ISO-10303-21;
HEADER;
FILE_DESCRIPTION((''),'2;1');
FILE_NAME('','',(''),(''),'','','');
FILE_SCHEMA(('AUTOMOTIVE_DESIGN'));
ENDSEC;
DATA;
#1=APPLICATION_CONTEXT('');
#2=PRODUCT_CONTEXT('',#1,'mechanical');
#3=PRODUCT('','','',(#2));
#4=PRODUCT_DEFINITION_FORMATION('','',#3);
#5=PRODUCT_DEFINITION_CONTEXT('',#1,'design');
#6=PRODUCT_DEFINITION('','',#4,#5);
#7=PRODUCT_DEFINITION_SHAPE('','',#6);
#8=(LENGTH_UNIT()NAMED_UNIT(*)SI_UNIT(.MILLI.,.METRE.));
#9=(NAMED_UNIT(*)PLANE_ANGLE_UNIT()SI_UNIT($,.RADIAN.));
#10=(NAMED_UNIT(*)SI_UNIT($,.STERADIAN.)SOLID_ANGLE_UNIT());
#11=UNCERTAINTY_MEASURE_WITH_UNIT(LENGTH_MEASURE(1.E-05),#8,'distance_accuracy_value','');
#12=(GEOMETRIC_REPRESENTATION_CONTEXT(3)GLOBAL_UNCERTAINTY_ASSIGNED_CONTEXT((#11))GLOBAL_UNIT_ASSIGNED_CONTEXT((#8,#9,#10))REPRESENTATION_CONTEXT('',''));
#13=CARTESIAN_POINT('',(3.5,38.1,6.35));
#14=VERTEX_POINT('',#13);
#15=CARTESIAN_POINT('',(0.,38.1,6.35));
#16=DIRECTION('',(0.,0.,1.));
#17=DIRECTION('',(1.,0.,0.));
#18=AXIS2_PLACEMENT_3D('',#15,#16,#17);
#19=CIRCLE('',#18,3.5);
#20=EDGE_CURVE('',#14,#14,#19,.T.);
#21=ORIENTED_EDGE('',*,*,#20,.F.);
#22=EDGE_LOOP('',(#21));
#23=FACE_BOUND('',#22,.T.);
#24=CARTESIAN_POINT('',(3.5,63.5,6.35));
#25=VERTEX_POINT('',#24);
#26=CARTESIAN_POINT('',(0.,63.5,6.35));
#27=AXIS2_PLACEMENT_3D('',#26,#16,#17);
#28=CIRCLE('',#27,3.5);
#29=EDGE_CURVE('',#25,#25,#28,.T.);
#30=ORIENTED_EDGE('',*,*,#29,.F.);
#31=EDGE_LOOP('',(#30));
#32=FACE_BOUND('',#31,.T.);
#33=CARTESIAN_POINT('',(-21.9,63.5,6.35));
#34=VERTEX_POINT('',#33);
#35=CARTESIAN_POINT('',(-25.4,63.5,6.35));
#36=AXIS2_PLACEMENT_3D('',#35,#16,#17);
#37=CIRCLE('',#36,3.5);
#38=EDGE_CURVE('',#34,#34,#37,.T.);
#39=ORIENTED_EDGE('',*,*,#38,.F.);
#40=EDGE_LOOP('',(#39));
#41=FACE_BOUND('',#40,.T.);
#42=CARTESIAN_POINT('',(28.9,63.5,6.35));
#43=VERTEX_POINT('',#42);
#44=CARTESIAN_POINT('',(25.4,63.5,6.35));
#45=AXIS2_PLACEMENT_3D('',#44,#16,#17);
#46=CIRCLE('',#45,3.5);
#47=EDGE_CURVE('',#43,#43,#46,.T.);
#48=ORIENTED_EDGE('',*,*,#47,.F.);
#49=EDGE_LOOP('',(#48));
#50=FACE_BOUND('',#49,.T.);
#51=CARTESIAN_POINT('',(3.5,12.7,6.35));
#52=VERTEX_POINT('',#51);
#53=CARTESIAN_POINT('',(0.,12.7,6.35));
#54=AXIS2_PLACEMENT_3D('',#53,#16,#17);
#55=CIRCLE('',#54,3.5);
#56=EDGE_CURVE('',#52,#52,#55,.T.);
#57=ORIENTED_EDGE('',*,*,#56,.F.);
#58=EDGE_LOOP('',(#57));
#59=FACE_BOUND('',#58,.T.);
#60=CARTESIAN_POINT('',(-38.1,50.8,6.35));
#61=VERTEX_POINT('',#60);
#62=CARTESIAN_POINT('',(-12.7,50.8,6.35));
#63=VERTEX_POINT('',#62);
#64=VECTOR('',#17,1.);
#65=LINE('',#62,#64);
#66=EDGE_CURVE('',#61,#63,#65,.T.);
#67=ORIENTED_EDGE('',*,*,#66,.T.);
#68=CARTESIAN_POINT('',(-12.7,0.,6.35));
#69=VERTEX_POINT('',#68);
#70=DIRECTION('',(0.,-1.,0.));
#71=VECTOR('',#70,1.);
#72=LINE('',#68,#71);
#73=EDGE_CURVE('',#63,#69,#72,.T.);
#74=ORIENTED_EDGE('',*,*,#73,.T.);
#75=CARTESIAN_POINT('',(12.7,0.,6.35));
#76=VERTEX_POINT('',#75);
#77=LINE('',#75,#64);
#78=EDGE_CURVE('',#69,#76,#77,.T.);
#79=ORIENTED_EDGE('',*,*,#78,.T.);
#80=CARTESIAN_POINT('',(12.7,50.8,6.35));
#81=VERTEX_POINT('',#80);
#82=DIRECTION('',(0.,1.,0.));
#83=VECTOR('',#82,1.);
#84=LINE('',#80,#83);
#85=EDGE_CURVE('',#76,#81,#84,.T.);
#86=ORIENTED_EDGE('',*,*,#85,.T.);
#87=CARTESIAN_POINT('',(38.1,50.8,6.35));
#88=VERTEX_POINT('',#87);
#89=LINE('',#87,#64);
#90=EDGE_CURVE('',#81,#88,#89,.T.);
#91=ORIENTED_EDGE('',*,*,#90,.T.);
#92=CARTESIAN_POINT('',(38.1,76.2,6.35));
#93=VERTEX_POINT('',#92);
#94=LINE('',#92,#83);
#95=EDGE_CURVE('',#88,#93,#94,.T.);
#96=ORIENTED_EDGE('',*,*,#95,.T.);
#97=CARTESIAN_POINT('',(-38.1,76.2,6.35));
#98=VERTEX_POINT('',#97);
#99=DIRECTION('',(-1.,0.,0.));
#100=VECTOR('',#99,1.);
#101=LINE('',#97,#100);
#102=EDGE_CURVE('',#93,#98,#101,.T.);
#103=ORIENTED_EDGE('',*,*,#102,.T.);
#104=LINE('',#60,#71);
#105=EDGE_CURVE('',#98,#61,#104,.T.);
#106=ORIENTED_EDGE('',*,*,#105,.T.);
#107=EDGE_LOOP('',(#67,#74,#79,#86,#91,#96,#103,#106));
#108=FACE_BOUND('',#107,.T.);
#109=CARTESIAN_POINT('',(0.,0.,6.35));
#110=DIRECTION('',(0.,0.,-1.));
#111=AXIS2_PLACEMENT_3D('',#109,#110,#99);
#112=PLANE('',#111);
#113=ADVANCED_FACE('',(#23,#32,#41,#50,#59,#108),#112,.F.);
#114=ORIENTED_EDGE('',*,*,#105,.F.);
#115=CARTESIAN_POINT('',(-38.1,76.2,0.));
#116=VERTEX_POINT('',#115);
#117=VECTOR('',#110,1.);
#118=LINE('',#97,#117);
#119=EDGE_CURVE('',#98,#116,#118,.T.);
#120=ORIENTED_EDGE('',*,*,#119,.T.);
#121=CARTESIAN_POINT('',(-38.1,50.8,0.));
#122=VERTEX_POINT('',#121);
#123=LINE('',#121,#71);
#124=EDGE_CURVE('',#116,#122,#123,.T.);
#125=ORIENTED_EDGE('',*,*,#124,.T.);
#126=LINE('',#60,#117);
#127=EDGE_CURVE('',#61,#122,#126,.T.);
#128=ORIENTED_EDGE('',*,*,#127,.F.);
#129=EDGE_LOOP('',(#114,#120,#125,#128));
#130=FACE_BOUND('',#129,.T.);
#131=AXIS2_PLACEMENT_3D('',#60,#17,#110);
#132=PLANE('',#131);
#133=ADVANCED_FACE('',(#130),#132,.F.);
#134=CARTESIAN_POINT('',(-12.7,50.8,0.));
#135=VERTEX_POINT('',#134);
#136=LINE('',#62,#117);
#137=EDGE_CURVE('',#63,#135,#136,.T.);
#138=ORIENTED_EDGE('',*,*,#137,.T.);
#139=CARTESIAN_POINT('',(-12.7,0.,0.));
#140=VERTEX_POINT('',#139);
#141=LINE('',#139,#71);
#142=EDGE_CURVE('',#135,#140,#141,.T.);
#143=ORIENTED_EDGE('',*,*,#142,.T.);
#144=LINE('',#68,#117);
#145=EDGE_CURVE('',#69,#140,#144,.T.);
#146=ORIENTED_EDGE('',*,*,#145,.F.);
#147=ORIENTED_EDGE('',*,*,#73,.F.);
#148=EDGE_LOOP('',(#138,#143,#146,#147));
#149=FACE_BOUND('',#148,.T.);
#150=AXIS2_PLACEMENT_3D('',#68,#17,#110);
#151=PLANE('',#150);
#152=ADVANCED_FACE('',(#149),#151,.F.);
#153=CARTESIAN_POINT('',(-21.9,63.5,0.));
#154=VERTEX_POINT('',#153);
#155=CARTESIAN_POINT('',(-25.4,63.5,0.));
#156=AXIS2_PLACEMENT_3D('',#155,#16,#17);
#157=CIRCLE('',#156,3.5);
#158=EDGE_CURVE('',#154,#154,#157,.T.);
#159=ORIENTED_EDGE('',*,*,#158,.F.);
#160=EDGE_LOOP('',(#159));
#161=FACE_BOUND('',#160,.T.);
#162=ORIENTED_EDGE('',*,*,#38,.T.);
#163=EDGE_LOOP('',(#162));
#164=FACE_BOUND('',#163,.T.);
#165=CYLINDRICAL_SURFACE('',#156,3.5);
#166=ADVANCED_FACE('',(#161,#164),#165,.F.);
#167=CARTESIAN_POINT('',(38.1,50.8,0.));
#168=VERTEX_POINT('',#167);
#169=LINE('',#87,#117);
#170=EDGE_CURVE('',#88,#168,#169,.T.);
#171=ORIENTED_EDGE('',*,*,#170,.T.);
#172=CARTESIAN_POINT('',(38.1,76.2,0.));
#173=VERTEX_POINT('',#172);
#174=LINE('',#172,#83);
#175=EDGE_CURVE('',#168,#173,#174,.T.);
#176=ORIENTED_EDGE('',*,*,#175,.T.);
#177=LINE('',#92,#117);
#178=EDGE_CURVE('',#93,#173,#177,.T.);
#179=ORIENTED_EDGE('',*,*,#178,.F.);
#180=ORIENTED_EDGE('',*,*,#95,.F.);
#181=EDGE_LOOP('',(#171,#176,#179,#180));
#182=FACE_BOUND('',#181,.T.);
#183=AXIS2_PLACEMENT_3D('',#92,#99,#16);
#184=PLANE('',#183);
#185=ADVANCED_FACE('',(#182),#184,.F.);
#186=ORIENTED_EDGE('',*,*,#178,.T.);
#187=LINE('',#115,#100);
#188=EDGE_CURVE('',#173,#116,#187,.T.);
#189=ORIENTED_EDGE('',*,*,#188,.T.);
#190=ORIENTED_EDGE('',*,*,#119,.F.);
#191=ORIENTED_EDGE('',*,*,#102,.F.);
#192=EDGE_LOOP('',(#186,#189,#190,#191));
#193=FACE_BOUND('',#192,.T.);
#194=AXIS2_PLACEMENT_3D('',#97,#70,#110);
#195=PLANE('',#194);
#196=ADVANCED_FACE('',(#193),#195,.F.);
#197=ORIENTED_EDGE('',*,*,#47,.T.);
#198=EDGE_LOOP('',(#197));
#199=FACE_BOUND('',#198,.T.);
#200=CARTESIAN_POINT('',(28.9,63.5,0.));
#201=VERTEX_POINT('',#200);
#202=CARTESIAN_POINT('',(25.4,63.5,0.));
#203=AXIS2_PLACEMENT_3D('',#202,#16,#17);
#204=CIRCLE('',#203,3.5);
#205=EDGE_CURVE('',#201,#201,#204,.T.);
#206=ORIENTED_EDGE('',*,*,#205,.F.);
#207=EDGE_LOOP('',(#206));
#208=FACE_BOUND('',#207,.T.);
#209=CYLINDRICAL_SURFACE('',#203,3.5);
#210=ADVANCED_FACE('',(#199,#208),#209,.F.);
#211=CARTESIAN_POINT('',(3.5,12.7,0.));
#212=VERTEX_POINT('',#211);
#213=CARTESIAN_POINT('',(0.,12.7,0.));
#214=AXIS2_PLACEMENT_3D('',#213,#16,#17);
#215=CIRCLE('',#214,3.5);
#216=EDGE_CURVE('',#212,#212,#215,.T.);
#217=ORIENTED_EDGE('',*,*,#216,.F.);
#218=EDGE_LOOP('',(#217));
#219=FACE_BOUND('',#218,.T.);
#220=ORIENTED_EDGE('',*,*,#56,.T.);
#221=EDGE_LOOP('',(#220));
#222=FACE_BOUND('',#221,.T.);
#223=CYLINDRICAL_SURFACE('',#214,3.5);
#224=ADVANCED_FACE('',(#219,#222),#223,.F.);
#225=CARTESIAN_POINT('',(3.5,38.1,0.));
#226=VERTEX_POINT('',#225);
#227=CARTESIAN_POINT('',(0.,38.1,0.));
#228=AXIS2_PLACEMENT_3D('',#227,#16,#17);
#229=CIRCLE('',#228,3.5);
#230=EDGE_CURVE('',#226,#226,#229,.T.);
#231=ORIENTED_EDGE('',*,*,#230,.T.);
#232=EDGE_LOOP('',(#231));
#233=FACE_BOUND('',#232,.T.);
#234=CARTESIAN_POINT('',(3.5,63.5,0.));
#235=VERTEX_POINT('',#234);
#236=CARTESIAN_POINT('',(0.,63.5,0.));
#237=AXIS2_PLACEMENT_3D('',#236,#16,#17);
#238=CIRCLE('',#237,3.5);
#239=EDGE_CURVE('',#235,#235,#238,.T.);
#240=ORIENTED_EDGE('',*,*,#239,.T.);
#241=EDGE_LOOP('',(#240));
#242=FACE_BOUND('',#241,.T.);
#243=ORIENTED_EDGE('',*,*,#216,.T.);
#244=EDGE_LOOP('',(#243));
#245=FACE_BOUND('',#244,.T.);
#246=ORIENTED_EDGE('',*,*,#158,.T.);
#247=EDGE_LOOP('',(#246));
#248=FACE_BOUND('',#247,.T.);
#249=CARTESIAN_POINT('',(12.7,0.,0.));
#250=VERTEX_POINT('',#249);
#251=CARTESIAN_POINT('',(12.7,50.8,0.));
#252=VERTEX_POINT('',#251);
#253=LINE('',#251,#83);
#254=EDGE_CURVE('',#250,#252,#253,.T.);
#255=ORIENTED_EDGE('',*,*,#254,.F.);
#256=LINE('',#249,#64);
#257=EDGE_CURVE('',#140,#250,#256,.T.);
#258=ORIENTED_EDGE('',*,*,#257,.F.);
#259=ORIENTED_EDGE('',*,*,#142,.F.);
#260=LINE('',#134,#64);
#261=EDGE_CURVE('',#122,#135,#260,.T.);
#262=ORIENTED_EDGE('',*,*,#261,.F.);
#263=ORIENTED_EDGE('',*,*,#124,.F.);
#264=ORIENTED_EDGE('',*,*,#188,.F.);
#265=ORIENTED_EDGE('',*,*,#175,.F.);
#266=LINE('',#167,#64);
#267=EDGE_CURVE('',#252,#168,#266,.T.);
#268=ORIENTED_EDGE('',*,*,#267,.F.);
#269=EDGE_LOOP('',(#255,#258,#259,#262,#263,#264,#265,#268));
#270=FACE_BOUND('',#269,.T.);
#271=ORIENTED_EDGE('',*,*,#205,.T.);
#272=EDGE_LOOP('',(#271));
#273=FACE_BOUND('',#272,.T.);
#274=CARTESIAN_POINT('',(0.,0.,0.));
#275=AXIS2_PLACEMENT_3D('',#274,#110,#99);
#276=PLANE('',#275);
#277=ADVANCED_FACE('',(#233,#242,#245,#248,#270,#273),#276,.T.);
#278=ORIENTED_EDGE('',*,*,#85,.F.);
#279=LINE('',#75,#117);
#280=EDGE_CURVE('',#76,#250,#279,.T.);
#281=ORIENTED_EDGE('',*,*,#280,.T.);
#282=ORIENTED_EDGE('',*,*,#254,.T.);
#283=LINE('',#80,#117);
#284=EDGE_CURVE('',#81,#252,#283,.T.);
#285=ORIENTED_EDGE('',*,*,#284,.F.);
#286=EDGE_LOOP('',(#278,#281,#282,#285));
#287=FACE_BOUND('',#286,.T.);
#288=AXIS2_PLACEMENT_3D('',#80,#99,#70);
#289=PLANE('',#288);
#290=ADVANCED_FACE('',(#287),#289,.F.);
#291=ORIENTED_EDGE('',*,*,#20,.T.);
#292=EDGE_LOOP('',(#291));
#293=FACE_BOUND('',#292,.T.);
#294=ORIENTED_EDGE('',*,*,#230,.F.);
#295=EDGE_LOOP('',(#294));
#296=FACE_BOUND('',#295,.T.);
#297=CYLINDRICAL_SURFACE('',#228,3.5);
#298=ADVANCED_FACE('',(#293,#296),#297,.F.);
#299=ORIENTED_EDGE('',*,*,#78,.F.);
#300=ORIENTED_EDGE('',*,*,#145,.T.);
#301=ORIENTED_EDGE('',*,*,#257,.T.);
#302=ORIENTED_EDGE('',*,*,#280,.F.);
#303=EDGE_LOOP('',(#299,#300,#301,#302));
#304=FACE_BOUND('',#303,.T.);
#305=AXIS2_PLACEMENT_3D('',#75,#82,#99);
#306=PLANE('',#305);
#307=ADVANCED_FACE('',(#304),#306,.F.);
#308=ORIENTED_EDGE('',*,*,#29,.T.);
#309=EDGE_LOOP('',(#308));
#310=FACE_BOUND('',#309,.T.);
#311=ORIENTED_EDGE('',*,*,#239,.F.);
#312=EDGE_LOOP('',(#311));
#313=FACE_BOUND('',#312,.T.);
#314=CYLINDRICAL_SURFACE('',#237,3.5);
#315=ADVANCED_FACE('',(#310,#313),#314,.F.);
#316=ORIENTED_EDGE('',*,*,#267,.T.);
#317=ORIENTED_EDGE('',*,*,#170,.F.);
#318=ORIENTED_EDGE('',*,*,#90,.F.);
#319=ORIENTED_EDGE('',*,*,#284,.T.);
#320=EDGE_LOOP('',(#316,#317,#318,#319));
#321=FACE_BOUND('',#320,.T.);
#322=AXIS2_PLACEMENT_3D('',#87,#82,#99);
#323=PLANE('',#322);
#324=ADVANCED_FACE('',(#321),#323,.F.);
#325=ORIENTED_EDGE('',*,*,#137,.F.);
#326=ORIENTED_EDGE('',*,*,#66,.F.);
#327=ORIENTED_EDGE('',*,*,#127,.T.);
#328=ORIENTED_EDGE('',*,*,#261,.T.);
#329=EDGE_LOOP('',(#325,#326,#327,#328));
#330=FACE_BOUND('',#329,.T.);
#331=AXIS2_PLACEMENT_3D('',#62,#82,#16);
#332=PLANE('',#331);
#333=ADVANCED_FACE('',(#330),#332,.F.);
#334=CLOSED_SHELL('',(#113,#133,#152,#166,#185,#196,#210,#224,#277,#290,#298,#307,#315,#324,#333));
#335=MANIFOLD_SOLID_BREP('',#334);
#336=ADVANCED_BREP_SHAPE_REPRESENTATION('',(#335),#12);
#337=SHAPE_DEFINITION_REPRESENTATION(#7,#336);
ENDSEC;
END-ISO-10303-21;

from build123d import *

# Parameters (mm, degrees)
BOSS_EXTRUDE1_DEPTH = 6.35
SKETCH2_R           = 3.5
CUT_EXTRUDE1_DEPTH  = 7.35


with BuildPart() as part:
    # Sketch1 → Boss-Extrude1 (new body)
    with BuildSketch(Plane.XY):
        Polygon((12.7, 0), (-12.7, 0), (-12.7, 50.8), (-38.1, 50.8), (-38.1, 76.2), (38.1, 76.2), (38.1, 50.8), (12.7, 50.8), align=None)
    extrude(amount=BOSS_EXTRUDE1_DEPTH)

    # Sketch2 → Cut-Extrude1 (cut, through all)
    with BuildSketch(Plane.XY.offset(6.35)):
        with Locations((0, 63.5)):
            Circle(SKETCH2_R)
        with Locations((25.4, 63.5)):
            Circle(SKETCH2_R)
        with Locations((-25.4, 63.5)):
            Circle(SKETCH2_R)
        with Locations((0, 38.1)):
            Circle(SKETCH2_R)
        with Locations((0, 12.7)):
            Circle(SKETCH2_R)
    extrude(amount=-CUT_EXTRUDE1_DEPTH, mode=Mode.SUBTRACT)


solid = part.part
